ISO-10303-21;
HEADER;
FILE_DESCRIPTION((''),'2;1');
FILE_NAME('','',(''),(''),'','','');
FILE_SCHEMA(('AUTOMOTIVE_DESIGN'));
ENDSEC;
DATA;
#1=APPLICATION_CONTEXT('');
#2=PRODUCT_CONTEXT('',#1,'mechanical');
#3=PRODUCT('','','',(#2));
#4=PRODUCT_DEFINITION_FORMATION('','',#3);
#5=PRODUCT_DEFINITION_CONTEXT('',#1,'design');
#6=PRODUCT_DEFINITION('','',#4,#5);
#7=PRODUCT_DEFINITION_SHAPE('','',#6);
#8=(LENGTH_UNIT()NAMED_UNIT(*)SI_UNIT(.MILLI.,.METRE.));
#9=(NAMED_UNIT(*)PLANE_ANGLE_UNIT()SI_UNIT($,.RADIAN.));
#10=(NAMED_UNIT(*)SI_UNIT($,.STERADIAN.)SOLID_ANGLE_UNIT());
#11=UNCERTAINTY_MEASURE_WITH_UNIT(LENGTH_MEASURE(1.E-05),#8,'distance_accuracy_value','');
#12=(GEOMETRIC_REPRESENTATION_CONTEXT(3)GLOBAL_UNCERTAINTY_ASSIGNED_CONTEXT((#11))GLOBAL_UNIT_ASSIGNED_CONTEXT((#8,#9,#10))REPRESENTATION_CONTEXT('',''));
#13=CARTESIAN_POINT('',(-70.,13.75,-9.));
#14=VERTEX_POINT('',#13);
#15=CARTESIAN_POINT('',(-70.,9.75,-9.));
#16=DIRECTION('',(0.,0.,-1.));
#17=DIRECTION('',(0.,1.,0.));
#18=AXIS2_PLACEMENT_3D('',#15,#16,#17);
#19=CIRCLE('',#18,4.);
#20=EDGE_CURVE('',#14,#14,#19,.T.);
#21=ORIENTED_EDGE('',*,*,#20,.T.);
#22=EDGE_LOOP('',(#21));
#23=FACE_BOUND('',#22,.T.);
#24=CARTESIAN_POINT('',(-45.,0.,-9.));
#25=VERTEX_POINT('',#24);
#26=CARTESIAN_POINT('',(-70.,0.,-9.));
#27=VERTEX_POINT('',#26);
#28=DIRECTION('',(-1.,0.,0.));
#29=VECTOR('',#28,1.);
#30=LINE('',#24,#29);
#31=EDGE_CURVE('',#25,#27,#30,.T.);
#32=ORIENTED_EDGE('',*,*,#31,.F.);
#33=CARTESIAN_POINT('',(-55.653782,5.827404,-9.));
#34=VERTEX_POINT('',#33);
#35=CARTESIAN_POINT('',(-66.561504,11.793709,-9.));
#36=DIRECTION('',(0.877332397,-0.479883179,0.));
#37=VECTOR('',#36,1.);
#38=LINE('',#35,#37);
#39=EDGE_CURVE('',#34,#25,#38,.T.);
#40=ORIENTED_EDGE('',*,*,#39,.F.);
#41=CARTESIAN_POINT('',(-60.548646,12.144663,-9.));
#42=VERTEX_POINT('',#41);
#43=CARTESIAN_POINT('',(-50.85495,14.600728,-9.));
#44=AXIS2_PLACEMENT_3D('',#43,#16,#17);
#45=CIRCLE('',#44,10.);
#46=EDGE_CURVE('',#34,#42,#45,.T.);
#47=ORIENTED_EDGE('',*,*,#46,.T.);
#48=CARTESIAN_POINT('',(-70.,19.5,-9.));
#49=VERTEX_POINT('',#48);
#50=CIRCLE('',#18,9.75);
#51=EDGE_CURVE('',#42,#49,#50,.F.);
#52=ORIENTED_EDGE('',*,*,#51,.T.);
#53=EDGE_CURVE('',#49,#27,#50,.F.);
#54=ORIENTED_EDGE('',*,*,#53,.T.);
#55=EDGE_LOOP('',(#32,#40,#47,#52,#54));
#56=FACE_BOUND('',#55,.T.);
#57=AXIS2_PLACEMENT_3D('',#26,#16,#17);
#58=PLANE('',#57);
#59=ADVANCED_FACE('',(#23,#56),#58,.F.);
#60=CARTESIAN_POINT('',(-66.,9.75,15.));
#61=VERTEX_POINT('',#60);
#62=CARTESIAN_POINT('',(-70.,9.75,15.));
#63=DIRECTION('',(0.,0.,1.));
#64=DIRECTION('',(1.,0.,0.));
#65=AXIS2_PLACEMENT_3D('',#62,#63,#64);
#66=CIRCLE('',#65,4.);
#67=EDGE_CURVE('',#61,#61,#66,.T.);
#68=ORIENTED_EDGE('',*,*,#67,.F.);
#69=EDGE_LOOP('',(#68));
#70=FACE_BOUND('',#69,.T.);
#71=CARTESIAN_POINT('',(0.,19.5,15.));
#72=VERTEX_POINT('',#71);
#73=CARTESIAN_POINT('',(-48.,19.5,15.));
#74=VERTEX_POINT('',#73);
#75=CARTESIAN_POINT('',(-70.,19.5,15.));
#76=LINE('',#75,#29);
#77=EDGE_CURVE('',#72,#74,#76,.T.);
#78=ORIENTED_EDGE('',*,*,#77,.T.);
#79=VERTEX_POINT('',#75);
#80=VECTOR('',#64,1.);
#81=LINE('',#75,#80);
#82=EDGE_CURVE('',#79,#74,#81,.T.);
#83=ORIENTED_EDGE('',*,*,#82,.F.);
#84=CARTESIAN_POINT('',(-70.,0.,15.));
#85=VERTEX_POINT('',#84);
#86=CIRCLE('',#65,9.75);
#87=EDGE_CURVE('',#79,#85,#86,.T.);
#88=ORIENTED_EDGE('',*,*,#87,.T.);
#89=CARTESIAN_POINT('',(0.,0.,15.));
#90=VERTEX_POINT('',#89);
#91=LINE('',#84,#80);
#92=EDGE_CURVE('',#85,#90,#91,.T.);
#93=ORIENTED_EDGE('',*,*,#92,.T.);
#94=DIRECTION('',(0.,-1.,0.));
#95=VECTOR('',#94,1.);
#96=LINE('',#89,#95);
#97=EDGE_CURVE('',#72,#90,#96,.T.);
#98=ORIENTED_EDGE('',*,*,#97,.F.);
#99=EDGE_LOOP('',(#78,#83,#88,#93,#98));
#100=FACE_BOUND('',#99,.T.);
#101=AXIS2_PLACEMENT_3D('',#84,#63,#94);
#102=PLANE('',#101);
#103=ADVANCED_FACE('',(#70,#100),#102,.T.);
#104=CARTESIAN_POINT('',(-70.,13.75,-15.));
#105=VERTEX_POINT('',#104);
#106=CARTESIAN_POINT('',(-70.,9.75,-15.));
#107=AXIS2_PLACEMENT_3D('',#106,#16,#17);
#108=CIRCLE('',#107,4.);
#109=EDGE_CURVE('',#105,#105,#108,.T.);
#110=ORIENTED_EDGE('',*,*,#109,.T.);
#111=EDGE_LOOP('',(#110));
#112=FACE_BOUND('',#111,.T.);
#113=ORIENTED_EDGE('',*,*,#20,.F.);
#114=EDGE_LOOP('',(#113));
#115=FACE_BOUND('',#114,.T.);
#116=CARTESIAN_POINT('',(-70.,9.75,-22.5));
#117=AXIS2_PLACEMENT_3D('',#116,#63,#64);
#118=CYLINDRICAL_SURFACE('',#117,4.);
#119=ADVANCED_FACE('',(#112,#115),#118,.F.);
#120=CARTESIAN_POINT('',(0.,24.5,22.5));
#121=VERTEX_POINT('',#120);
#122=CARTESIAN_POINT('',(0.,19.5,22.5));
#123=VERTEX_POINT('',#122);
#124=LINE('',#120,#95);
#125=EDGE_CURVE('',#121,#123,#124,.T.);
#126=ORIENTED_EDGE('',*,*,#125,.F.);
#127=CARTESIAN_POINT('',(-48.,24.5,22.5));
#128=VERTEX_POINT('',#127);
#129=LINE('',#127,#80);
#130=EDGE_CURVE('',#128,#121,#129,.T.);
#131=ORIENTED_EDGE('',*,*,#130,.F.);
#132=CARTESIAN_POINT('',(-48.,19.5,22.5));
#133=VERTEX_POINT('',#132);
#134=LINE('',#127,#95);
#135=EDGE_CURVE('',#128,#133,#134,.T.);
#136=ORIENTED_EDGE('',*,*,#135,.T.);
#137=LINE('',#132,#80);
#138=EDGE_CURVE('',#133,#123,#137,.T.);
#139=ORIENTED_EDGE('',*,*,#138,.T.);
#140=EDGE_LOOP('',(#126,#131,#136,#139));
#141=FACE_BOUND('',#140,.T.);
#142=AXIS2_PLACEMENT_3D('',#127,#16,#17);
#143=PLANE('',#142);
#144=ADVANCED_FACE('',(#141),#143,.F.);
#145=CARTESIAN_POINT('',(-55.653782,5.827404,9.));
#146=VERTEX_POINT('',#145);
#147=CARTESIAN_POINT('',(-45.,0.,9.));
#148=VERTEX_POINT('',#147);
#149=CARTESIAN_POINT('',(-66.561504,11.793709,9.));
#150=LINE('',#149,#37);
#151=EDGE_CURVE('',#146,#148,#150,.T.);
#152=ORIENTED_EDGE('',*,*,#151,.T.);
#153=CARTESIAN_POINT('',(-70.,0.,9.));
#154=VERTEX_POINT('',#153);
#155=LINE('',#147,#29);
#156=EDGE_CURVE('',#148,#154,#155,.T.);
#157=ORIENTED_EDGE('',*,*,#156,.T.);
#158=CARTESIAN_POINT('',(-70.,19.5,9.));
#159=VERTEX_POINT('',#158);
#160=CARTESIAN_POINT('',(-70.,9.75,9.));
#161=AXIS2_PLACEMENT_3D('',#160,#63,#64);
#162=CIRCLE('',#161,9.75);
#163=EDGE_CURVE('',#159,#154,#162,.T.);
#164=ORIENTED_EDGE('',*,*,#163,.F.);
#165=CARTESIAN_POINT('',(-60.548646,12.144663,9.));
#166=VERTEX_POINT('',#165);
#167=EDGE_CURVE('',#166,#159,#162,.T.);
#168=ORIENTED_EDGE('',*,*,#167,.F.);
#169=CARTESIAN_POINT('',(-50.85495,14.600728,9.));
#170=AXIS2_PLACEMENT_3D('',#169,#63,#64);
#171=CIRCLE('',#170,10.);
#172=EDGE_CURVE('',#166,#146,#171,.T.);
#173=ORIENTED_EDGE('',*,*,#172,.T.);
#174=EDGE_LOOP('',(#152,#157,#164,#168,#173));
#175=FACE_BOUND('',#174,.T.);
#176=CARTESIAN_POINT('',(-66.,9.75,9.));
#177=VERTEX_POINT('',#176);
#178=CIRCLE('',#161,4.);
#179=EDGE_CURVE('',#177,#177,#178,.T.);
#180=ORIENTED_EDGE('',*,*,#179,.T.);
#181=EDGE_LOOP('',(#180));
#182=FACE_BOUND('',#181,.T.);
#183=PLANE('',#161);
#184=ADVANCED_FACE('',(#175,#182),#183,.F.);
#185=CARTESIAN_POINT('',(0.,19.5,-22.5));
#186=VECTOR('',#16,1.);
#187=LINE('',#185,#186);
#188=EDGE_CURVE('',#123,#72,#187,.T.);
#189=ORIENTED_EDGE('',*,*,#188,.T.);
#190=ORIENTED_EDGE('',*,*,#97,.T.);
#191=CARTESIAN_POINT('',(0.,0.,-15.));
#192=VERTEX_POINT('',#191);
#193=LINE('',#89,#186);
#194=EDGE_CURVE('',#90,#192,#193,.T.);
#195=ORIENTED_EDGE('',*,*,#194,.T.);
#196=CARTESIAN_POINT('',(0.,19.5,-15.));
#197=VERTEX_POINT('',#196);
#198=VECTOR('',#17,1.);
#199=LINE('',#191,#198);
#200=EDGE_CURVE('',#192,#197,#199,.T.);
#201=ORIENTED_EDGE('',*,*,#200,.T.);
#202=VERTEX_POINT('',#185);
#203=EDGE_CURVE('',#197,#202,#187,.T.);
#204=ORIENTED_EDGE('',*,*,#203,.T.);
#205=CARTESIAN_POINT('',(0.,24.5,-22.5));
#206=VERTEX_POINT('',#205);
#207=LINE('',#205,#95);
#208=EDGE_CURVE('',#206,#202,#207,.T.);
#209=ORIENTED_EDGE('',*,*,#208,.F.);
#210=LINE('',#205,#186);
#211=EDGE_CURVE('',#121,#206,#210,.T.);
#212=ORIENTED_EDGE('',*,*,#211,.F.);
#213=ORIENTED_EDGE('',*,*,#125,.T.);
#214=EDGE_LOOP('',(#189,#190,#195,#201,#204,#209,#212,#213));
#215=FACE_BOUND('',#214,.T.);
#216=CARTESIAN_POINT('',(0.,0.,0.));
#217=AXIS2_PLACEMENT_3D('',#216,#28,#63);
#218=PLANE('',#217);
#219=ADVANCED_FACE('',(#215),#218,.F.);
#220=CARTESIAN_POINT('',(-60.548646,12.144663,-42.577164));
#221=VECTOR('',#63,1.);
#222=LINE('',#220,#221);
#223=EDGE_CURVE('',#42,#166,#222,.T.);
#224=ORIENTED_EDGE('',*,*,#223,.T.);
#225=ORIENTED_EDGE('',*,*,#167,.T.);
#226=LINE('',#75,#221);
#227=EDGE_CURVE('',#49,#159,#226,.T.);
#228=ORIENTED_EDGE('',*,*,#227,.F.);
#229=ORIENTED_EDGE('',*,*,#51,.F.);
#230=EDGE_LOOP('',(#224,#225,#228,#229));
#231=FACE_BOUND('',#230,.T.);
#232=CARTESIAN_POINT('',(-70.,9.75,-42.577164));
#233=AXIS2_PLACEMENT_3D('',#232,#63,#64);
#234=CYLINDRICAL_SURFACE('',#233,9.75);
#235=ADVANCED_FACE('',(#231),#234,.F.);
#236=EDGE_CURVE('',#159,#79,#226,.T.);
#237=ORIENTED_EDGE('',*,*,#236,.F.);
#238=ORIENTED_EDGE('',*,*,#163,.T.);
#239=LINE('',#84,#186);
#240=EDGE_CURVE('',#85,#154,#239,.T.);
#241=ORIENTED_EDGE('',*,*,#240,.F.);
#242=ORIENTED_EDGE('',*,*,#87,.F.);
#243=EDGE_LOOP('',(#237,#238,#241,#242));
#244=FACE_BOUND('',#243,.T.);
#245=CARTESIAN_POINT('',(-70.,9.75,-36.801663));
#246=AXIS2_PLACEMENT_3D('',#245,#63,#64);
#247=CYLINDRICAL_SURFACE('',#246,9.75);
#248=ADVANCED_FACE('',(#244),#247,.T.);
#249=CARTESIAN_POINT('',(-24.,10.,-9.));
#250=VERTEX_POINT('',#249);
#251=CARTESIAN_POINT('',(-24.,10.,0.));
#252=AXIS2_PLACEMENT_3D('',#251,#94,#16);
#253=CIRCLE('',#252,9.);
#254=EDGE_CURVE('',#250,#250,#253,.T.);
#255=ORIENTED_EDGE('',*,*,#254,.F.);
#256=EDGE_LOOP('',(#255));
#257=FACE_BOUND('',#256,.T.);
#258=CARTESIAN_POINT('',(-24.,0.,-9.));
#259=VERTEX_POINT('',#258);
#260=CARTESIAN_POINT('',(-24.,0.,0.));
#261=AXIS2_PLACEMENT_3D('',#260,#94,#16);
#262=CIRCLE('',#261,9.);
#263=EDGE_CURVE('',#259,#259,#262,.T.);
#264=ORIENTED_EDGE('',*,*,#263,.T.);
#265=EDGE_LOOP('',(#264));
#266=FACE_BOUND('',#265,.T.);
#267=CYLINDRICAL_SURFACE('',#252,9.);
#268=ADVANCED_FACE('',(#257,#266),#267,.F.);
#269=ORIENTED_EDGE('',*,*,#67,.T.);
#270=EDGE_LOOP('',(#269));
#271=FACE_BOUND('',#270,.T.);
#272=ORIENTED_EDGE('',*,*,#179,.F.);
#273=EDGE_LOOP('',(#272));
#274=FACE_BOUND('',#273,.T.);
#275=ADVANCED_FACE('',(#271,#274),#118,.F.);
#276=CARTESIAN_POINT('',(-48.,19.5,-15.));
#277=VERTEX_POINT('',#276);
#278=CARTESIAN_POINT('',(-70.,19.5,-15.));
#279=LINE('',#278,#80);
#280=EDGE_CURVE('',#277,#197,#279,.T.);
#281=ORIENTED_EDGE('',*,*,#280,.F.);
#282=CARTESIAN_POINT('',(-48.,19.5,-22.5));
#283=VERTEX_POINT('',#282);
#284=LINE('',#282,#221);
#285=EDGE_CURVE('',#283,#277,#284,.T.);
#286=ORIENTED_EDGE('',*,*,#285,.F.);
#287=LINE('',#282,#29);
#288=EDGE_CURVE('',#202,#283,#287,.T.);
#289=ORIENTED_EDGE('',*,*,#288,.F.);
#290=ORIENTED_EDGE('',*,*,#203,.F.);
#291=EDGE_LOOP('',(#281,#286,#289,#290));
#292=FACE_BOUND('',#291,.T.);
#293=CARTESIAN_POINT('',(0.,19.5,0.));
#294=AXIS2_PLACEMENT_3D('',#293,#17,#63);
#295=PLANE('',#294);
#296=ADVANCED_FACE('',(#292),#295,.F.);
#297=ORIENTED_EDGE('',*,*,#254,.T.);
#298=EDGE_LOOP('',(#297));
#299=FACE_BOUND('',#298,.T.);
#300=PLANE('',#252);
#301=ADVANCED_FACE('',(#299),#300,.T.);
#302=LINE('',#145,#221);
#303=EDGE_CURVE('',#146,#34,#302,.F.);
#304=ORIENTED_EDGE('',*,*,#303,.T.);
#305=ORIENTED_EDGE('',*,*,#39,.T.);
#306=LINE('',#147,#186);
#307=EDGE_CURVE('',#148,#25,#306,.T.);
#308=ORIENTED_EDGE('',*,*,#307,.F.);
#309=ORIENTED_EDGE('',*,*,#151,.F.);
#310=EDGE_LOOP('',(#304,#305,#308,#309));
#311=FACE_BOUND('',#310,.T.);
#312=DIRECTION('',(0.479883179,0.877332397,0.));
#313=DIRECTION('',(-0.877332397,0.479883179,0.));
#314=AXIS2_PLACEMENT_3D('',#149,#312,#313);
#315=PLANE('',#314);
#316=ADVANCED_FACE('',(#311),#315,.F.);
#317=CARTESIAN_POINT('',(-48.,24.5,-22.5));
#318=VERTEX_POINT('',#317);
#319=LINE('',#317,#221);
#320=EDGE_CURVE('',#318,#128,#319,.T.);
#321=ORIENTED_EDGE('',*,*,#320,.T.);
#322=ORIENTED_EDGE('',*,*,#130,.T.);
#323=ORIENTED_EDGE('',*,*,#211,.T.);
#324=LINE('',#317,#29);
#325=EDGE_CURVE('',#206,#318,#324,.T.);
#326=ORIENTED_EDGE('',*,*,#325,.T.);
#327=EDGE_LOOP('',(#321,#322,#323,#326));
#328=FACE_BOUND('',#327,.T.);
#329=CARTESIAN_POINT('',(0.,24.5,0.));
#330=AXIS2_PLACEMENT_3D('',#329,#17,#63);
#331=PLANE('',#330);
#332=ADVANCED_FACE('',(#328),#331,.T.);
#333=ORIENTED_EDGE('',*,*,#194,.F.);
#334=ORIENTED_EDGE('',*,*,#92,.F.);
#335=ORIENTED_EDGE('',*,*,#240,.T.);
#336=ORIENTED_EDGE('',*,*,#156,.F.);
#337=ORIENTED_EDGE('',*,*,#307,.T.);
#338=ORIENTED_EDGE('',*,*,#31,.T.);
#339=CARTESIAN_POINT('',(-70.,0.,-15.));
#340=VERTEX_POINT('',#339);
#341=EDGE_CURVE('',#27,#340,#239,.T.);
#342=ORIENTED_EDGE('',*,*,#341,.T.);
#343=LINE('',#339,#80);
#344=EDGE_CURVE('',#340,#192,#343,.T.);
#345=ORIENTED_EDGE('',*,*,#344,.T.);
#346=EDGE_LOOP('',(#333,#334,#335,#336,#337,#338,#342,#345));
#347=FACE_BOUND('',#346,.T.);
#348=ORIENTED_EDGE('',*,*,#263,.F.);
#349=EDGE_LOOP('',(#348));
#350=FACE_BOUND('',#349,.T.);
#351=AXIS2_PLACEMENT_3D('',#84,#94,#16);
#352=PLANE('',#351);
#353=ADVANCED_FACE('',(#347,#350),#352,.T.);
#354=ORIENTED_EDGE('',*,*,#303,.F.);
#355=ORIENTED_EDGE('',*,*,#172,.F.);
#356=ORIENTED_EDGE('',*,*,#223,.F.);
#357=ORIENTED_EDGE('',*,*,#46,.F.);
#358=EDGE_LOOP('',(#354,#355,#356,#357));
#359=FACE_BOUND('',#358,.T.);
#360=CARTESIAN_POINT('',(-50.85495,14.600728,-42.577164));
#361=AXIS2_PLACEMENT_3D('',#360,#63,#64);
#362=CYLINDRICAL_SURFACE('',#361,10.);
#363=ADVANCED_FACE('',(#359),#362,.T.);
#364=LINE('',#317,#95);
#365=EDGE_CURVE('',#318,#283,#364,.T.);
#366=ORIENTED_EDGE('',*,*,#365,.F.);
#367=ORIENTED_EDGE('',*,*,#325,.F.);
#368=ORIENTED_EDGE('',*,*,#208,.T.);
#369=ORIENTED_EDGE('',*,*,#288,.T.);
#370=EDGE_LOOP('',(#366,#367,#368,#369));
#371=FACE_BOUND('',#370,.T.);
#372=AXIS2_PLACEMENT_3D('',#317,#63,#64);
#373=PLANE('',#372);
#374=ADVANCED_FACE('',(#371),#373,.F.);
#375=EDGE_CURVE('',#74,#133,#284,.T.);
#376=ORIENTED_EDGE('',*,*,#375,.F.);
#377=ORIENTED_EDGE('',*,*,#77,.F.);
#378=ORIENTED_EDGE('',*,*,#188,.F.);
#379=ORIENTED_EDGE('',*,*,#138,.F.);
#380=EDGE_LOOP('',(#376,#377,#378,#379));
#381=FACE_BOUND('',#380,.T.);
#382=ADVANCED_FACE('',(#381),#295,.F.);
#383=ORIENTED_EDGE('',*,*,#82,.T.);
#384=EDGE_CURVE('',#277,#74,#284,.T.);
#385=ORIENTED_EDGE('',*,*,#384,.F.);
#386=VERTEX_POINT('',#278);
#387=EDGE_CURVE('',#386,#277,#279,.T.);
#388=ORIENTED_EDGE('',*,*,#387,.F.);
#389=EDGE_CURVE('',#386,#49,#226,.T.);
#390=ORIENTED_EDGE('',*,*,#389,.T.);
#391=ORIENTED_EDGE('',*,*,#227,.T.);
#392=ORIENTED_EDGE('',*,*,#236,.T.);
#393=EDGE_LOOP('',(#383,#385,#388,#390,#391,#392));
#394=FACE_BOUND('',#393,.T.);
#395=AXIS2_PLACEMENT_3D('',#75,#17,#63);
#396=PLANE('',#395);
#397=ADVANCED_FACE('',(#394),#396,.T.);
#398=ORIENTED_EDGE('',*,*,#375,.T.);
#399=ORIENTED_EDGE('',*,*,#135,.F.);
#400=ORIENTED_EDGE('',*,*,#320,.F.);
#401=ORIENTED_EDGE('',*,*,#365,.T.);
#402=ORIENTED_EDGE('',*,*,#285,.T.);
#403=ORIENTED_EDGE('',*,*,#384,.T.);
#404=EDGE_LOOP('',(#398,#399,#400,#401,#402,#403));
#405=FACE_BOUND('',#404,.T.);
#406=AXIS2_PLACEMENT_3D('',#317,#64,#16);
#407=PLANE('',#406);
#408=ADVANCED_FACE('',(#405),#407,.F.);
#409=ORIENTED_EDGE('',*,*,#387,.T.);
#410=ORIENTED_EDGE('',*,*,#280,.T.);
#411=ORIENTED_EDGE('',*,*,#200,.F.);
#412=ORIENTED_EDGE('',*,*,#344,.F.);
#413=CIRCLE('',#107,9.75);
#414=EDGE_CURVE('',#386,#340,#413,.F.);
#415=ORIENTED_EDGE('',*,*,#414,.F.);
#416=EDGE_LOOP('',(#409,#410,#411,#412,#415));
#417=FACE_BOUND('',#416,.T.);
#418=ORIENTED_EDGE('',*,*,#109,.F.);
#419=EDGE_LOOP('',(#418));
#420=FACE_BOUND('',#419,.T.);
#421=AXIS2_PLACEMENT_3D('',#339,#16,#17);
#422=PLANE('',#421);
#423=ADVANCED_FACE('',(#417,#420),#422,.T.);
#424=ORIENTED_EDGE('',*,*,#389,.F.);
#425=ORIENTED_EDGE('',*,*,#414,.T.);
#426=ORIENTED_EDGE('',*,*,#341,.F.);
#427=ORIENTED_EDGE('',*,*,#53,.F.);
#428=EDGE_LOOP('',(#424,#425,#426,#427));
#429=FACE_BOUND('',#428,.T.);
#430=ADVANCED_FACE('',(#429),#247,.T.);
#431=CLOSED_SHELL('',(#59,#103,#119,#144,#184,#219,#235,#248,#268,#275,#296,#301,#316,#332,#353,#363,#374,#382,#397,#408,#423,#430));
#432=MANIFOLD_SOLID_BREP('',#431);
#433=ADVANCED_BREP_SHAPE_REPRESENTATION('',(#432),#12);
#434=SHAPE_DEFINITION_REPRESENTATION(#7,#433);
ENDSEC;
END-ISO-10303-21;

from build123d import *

# Parameters (mm, degrees)
SKETCH1_W           = 30
SKETCH1_H           = 19.5
BOSS_EXTRUDE1_DEPTH = 70
BOSS_EXTRUDE2_DEPTH = 30
SKETCH7_W           = 48
SKETCH7_H           = 45
BOSS_EXTRUDE3_DEPTH = 5
CUT_EXTRUDE2_START  = -6
SKETCH8_R           = 9.75
CUT_EXTRUDE2_DEPTH  = 18
SKETCH9_R           = 4
CUT_EXTRUDE3_DEPTH  = 92.468915485
SKETCH10_R          = 9
CUT_EXTRUDE4_DEPTH  = 10
CUT_EXTRUDE6_START  = -6
CUT_EXTRUDE6_DEPTH  = 18
FILLET1_R           = 10


with BuildPart() as part:
    # Sketch1 → Boss-Extrude1 (new body)
    with BuildSketch(Plane(origin=(0, 0, 0), x_dir=(0, 0, -1), z_dir=(1, 0, 0))):
        with Locations((0, 9.75)):
            Rectangle(SKETCH1_W, SKETCH1_H)
    extrude(amount=-BOSS_EXTRUDE1_DEPTH)

    # Sketch6 → Boss-Extrude2 (add)
    with BuildSketch(Plane.XY.offset(15)):
        with BuildLine():
            Line((-70, 19.5), (-70, 0))
            ThreePointArc((-70, 0), (-79.75, 9.75), (-70, 19.5))
        make_face()
    extrude(amount=-BOSS_EXTRUDE2_DEPTH)

    # Sketch7 → Boss-Extrude3 (add)
    with BuildSketch(Plane(origin=(0, 19.5, 0), x_dir=(1, 0, 0), z_dir=(0, 1, 0))):
        with Locations((-24, 0)):
            Rectangle(SKETCH7_W, SKETCH7_H)
    extrude(amount=BOSS_EXTRUDE3_DEPTH)

    # Sketch8 → Cut-Extrude2 (cut)
    with BuildSketch(Plane.XY.offset(15).offset(CUT_EXTRUDE2_START)):
        with Locations((-70, 9.75)):
            Circle(SKETCH8_R)
    extrude(amount=-CUT_EXTRUDE2_DEPTH, mode=Mode.SUBTRACT)

    # Sketch9 → Cut-Extrude3 (cut, through all)
    with BuildSketch(Plane.XY.offset(15)):
        with Locations((-70, 9.75)):
            Circle(SKETCH9_R)
    extrude(amount=-CUT_EXTRUDE3_DEPTH, mode=Mode.SUBTRACT)

    # Sketch10 → Cut-Extrude4 (cut)
    with BuildSketch(Plane.XZ):
        with Locations(Location((-24, 0, 0), (0, 0, 270))):
            Circle(SKETCH10_R)
    extrude(amount=-CUT_EXTRUDE4_DEPTH, mode=Mode.SUBTRACT)

    # Sketch11 → Cut-Extrude6 (cut)
    with BuildSketch(Plane(origin=(0, 0, -15), x_dir=(-1, 0, 0), z_dir=(0, 0, -1)).offset(CUT_EXTRUDE6_START)):
        Polygon((66.561504355, 11.793709299), (45, 0), (70, 0), align=None)
    extrude(amount=-CUT_EXTRUDE6_DEPTH, mode=Mode.SUBTRACT)

    # Fillet1
    fillet1_edges = [part.edges().sort_by_distance(p)[0] for p in [
        (-60.344849532, 8.393324122, 0),
    ]]
    fillet(fillet1_edges, radius=FILLET1_R)


solid = part.part
